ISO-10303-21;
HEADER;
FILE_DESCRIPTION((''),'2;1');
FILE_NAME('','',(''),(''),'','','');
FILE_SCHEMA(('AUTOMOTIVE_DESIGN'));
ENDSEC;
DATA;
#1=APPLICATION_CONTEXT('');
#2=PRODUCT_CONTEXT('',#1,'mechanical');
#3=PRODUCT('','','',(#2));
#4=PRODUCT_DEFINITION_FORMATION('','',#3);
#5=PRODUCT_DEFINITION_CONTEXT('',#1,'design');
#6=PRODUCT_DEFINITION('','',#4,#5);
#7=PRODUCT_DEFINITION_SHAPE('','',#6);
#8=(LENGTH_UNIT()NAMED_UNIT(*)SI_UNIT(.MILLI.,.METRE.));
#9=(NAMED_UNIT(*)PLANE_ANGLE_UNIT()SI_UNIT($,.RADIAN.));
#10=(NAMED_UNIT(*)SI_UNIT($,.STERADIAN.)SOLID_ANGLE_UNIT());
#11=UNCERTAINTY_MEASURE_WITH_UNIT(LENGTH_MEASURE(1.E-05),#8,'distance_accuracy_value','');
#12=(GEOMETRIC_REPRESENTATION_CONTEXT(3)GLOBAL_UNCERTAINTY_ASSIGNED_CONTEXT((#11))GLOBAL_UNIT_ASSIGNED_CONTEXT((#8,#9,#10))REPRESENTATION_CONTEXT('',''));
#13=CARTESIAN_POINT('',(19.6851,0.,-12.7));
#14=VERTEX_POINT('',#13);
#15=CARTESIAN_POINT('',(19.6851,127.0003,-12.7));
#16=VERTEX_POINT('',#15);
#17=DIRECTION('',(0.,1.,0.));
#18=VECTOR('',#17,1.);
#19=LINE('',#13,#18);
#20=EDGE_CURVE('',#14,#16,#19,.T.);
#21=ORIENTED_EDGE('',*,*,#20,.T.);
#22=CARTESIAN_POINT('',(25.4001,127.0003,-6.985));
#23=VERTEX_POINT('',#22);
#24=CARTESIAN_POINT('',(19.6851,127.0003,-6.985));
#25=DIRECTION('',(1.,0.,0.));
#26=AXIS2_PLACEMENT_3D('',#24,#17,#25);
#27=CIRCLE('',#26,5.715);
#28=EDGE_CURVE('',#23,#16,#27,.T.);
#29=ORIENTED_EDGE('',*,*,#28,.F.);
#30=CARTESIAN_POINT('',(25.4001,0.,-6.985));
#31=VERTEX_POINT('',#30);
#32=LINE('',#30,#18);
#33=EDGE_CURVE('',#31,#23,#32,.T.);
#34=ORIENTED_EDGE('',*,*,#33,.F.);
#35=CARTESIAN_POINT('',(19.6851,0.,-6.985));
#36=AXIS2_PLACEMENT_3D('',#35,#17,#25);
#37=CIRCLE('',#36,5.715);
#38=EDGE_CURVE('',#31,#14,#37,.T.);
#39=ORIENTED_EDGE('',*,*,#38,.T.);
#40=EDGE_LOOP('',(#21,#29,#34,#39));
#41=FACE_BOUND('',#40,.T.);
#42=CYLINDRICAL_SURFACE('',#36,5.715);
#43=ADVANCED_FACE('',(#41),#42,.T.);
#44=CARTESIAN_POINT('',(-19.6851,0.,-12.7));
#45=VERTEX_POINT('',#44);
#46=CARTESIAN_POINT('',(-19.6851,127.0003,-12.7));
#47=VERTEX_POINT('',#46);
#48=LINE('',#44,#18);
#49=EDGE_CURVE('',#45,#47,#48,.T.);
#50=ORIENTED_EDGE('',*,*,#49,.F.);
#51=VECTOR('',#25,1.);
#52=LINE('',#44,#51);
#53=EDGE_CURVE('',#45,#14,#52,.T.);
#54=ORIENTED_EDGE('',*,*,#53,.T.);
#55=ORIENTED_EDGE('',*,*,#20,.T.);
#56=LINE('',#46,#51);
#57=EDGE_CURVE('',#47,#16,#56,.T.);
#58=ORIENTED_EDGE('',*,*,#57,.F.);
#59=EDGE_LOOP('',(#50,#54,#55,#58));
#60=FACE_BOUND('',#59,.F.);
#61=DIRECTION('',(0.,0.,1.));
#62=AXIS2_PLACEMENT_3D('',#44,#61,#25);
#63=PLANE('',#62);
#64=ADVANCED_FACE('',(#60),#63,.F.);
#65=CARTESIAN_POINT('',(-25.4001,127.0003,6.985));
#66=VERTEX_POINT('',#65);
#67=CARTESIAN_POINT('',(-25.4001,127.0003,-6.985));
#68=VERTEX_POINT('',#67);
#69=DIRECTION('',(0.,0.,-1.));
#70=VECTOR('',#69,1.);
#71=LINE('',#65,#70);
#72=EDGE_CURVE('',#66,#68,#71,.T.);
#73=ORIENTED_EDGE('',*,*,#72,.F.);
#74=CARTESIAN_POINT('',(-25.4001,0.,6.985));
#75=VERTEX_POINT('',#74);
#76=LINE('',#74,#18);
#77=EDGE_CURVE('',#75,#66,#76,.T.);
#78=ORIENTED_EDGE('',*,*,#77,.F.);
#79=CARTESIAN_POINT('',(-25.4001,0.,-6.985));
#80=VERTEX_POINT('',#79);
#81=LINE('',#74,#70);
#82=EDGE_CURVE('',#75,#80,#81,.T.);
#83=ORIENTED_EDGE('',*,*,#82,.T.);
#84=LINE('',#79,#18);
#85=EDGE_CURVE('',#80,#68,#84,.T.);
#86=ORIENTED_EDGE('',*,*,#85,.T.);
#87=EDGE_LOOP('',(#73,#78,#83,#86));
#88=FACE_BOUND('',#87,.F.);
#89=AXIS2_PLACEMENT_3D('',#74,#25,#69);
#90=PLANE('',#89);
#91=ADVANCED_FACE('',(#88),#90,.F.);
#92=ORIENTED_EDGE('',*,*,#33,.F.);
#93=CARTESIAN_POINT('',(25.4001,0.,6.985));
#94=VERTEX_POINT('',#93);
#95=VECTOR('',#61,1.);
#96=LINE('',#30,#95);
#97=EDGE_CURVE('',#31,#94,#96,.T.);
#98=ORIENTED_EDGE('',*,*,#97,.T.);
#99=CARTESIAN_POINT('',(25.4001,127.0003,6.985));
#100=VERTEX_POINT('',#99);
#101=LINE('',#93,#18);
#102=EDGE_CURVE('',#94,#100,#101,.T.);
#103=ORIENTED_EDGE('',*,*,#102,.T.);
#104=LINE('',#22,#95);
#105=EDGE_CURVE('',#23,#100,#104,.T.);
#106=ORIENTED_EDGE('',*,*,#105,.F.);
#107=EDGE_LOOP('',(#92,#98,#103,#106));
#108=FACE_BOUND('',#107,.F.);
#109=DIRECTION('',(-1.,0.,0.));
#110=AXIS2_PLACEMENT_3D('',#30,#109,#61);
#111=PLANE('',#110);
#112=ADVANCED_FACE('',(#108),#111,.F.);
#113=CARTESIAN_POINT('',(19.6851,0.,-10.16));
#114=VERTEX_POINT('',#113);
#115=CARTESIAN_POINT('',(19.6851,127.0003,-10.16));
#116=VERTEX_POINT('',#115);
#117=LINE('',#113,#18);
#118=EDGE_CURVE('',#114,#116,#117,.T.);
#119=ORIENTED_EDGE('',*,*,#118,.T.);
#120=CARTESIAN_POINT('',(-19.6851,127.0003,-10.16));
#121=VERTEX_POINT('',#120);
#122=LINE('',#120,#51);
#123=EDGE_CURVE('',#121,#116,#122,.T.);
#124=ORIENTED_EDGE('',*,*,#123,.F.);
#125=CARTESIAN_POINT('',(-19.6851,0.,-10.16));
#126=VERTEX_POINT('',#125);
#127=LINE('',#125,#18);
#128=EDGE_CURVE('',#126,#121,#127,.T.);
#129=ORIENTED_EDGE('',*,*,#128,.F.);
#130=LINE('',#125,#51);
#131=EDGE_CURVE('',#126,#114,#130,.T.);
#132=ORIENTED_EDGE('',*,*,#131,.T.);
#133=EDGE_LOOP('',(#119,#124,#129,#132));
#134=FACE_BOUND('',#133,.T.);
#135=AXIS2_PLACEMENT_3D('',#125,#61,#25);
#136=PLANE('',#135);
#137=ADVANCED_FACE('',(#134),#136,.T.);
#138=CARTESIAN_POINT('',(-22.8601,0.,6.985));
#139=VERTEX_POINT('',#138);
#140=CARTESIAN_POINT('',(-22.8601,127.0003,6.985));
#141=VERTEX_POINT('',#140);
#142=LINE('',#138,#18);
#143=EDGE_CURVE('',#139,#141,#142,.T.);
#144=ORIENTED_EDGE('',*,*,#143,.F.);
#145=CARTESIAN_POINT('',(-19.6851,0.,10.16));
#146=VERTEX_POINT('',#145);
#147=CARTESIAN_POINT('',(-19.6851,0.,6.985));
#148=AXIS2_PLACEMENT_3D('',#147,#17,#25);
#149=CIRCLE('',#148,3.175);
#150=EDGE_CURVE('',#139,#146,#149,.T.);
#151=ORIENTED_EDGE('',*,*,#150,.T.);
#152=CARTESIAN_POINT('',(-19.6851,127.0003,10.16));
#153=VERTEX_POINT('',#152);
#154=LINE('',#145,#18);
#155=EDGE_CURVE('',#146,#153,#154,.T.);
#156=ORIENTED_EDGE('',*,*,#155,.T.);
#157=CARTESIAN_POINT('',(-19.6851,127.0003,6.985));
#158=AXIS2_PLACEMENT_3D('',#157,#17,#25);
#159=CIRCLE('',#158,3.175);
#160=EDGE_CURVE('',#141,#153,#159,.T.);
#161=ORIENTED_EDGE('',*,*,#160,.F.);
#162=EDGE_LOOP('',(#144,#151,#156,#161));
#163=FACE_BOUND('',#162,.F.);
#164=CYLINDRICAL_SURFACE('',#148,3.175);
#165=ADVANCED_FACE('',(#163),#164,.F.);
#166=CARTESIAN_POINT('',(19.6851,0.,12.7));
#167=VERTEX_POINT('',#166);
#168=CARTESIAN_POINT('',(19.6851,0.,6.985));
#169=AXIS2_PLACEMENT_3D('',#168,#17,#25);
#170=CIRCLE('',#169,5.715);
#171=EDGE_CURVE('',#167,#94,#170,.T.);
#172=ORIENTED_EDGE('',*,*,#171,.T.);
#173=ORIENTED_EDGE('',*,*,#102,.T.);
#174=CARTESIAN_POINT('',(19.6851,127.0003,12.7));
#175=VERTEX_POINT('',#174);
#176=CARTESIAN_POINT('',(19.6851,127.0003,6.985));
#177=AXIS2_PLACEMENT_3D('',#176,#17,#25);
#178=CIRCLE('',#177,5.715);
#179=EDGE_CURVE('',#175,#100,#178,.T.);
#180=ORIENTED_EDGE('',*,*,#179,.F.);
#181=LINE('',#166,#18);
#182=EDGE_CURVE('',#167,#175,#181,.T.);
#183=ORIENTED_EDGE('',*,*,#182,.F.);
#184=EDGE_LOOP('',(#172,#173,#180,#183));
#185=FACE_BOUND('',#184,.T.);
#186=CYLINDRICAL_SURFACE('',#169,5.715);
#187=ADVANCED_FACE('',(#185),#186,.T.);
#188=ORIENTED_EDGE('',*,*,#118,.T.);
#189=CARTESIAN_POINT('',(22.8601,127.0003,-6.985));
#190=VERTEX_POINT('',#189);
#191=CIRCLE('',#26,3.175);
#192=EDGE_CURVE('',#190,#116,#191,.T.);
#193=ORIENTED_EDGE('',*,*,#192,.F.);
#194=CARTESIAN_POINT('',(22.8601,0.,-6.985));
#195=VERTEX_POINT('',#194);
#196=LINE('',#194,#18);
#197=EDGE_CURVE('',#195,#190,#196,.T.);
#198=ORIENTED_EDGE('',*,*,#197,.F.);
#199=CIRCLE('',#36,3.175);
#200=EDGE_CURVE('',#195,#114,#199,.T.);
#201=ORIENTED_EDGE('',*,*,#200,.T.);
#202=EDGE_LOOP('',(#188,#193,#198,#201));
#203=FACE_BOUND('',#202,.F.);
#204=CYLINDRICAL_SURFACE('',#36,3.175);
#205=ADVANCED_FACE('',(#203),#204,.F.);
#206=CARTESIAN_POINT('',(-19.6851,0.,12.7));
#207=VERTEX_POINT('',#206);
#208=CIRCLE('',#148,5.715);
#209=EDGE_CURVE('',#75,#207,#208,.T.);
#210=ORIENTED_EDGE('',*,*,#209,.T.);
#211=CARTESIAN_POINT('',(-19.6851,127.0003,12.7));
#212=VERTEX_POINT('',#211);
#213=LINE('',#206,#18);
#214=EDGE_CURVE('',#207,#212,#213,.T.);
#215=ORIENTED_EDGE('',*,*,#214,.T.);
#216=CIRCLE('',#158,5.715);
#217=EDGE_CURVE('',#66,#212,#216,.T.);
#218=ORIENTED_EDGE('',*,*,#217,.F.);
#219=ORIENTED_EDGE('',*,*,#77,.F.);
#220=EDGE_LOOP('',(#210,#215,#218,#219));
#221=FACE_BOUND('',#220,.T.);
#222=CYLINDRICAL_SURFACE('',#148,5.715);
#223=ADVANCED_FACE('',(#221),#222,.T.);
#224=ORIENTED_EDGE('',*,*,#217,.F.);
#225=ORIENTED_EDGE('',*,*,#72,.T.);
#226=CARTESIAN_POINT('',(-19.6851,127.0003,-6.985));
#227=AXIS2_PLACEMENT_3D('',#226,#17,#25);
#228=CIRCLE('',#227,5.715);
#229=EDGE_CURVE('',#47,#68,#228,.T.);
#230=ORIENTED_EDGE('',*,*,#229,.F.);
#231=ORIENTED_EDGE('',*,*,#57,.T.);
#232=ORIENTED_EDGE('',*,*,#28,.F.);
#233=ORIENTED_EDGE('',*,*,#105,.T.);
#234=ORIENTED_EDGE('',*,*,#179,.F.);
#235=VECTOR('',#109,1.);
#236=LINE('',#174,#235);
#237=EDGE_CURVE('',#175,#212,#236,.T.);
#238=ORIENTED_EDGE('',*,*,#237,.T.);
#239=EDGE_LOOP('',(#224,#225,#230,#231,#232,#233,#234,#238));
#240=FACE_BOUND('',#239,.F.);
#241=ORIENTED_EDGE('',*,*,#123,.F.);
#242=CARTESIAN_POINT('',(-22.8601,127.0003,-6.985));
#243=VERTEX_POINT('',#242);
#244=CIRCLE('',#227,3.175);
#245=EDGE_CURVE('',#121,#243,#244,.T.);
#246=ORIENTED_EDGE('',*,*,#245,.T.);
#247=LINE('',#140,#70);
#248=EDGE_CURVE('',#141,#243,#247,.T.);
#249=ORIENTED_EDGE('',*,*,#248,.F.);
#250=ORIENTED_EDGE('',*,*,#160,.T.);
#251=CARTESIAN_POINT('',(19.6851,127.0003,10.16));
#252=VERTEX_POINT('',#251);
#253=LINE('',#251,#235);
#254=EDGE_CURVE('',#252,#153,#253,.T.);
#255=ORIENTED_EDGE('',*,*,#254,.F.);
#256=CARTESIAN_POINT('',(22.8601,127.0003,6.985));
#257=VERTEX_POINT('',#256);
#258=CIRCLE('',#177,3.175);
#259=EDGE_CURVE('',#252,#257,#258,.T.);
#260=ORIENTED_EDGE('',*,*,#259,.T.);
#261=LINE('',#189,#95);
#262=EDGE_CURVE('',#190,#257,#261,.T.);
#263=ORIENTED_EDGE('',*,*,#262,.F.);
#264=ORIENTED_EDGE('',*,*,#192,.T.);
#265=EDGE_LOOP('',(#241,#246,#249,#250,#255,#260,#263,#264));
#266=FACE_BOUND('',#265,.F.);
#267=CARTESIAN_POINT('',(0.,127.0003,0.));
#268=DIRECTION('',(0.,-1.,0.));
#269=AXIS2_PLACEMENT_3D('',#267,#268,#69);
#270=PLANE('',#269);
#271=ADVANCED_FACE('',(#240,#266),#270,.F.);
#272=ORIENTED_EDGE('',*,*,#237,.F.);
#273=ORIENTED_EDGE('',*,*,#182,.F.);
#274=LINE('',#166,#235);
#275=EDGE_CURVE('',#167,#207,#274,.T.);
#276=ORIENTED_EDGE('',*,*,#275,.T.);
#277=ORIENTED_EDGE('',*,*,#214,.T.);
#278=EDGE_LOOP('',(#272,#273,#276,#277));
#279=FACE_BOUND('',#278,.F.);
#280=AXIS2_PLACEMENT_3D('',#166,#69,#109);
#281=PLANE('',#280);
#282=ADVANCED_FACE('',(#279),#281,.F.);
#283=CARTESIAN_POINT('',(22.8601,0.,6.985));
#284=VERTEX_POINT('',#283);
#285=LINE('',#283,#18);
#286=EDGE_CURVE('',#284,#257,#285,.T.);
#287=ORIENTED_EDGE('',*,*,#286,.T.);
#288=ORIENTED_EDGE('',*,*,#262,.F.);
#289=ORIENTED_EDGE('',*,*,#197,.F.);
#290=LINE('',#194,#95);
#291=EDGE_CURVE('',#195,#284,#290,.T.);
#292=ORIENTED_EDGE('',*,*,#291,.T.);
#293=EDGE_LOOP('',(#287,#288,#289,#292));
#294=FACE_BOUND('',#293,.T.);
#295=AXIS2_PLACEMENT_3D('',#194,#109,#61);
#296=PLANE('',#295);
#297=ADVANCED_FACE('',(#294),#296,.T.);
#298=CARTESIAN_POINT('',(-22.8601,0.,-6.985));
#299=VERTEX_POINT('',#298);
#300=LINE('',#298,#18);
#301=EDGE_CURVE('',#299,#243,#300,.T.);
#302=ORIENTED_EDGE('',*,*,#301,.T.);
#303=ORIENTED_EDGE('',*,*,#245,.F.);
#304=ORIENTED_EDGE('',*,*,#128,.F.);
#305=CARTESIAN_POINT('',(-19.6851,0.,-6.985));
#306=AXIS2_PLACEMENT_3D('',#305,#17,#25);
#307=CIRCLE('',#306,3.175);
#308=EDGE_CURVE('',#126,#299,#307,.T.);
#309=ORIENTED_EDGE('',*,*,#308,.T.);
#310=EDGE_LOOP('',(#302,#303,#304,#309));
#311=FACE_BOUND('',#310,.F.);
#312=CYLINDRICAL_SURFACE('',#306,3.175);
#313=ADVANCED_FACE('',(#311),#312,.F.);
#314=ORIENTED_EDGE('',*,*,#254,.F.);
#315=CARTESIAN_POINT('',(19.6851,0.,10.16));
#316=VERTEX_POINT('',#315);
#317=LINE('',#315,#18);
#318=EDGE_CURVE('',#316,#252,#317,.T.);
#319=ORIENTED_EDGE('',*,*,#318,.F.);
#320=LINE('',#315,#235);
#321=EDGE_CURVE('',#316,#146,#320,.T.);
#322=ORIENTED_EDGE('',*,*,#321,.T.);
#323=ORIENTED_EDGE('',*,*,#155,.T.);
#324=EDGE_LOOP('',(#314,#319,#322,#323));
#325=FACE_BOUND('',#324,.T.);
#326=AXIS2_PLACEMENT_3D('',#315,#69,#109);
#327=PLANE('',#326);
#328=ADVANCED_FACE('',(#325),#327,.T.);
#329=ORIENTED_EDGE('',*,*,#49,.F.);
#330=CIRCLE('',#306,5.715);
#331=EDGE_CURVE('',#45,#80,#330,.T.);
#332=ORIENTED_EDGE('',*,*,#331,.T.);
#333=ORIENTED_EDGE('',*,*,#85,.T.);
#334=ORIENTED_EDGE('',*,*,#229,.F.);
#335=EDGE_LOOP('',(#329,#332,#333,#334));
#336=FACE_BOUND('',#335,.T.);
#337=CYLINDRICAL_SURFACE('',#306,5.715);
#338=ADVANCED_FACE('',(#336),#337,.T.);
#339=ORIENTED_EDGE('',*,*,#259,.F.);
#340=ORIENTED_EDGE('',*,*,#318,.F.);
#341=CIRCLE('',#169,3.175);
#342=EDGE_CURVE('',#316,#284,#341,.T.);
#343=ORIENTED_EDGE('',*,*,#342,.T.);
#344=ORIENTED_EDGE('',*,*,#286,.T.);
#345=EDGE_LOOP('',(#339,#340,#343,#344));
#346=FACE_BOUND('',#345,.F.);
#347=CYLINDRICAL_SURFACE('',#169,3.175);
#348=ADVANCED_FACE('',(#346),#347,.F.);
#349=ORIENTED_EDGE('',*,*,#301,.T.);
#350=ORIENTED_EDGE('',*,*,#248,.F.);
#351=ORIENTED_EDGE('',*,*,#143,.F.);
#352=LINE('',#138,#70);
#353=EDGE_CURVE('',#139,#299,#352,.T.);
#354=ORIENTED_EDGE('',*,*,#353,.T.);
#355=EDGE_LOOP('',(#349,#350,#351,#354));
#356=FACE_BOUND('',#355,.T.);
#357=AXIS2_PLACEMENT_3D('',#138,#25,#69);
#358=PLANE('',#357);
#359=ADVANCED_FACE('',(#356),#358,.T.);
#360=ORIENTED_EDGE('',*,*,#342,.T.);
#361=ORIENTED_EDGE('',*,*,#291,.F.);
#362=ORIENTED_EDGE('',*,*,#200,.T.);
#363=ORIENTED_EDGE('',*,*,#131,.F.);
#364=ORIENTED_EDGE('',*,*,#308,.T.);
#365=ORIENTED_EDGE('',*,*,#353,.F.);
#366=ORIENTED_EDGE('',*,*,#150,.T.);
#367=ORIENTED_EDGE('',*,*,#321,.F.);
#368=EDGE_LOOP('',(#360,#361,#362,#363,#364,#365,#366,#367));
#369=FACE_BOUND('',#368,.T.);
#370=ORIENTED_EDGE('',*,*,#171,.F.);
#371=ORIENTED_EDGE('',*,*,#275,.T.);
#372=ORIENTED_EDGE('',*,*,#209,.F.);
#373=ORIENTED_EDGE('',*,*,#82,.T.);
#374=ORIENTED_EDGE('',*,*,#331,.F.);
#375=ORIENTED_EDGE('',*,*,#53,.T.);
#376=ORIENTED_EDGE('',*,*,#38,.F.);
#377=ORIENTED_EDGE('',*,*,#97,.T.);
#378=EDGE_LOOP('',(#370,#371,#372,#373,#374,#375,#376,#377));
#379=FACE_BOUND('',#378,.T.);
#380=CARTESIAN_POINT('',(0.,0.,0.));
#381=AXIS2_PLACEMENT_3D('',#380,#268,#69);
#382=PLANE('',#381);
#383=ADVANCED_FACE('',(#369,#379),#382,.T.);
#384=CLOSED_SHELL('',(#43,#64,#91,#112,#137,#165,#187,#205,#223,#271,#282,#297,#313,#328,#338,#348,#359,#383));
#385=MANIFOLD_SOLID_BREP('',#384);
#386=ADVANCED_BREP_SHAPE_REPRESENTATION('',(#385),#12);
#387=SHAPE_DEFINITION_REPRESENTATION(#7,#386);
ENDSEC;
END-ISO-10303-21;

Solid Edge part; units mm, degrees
sketch "Sketch1" plane through (0, 0, 0) normal (1, 0, 0) x (0, 1, 0)
  line L0 (0, 0) -> (127.0003, 0)
  dimension "D1" = 127.0003
sketch "Sketch2" plane through (0, 0, 0) normal (0, -1, 0) x (1, 0, 0)
  line L0 (25.4001, -6.985) -> (25.4001, 6.985)
  arc A0 (19.6851, 12.7) -> (25.4001, 6.985) centre (19.6851, 6.985) cw
  line L1 (19.6851, 12.7) -> (-19.6851, 12.7)
  arc A1 (-19.6851, 12.7) -> (-25.4001, 6.985) centre (-19.6851, 6.985) ccw
  line L2 (-25.4001, 6.985) -> (-25.4001, -6.985)
  arc A2 (-25.4001, -6.985) -> (-19.6851, -12.7) centre (-19.6851, -6.985) ccw
  line L3 (-19.6851, -12.7) -> (19.6851, -12.7)
  arc A3 (19.6851, -12.7) -> (25.4001, -6.985) centre (19.6851, -6.985) ccw
  dimension "D1" = 50.8001
  dimension "D2" = 25.4001
  dimension "D3" = 5.715
  dimension "D4" = 2.54
sweep "Protrusion_1" add profiles "Sketch2" path "Sketch1"
sketch "Sketch3" plane through (0, 0, 0) normal (1, 0, 0) x (0, 1, 0)
  line L0 (0, 0) -> (127.0003, 0)
  dimension "D1" = 127.0003
sketch "Sketch4" plane through (0, 0, 0) normal (0, -1, 0) x (1, 0, 0)
  line L0 (-19.6851, -10.16) -> (19.6851, -10.16)
  arc A0 (19.6851, -10.16) -> (22.8601, -6.985) centre (19.6851, -6.985) ccw
  line L1 (22.8601, -6.985) -> (22.8601, 6.985)
  arc A1 (22.8601, 6.985) -> (19.6851, 10.16) centre (19.6851, 6.985) ccw
  line L2 (19.6851, 10.16) -> (-19.6851, 10.16)
  arc A2 (-19.6851, 10.16) -> (-22.8601, 6.985) centre (-19.6851, 6.985) ccw
  line L3 (-22.8601, 6.985) -> (-22.8601, -6.985)
  arc A3 (-22.8601, -6.985) -> (-19.6851, -10.16) centre (-19.6851, -6.985) ccw
  dimension "D1" = 50.8001
  dimension "D2" = 25.4001
  dimension "D3" = 5.715
  dimension "D4" = 2.54
sweep "Cutout_1" cut profiles "Sketch4" path "Sketch3"
